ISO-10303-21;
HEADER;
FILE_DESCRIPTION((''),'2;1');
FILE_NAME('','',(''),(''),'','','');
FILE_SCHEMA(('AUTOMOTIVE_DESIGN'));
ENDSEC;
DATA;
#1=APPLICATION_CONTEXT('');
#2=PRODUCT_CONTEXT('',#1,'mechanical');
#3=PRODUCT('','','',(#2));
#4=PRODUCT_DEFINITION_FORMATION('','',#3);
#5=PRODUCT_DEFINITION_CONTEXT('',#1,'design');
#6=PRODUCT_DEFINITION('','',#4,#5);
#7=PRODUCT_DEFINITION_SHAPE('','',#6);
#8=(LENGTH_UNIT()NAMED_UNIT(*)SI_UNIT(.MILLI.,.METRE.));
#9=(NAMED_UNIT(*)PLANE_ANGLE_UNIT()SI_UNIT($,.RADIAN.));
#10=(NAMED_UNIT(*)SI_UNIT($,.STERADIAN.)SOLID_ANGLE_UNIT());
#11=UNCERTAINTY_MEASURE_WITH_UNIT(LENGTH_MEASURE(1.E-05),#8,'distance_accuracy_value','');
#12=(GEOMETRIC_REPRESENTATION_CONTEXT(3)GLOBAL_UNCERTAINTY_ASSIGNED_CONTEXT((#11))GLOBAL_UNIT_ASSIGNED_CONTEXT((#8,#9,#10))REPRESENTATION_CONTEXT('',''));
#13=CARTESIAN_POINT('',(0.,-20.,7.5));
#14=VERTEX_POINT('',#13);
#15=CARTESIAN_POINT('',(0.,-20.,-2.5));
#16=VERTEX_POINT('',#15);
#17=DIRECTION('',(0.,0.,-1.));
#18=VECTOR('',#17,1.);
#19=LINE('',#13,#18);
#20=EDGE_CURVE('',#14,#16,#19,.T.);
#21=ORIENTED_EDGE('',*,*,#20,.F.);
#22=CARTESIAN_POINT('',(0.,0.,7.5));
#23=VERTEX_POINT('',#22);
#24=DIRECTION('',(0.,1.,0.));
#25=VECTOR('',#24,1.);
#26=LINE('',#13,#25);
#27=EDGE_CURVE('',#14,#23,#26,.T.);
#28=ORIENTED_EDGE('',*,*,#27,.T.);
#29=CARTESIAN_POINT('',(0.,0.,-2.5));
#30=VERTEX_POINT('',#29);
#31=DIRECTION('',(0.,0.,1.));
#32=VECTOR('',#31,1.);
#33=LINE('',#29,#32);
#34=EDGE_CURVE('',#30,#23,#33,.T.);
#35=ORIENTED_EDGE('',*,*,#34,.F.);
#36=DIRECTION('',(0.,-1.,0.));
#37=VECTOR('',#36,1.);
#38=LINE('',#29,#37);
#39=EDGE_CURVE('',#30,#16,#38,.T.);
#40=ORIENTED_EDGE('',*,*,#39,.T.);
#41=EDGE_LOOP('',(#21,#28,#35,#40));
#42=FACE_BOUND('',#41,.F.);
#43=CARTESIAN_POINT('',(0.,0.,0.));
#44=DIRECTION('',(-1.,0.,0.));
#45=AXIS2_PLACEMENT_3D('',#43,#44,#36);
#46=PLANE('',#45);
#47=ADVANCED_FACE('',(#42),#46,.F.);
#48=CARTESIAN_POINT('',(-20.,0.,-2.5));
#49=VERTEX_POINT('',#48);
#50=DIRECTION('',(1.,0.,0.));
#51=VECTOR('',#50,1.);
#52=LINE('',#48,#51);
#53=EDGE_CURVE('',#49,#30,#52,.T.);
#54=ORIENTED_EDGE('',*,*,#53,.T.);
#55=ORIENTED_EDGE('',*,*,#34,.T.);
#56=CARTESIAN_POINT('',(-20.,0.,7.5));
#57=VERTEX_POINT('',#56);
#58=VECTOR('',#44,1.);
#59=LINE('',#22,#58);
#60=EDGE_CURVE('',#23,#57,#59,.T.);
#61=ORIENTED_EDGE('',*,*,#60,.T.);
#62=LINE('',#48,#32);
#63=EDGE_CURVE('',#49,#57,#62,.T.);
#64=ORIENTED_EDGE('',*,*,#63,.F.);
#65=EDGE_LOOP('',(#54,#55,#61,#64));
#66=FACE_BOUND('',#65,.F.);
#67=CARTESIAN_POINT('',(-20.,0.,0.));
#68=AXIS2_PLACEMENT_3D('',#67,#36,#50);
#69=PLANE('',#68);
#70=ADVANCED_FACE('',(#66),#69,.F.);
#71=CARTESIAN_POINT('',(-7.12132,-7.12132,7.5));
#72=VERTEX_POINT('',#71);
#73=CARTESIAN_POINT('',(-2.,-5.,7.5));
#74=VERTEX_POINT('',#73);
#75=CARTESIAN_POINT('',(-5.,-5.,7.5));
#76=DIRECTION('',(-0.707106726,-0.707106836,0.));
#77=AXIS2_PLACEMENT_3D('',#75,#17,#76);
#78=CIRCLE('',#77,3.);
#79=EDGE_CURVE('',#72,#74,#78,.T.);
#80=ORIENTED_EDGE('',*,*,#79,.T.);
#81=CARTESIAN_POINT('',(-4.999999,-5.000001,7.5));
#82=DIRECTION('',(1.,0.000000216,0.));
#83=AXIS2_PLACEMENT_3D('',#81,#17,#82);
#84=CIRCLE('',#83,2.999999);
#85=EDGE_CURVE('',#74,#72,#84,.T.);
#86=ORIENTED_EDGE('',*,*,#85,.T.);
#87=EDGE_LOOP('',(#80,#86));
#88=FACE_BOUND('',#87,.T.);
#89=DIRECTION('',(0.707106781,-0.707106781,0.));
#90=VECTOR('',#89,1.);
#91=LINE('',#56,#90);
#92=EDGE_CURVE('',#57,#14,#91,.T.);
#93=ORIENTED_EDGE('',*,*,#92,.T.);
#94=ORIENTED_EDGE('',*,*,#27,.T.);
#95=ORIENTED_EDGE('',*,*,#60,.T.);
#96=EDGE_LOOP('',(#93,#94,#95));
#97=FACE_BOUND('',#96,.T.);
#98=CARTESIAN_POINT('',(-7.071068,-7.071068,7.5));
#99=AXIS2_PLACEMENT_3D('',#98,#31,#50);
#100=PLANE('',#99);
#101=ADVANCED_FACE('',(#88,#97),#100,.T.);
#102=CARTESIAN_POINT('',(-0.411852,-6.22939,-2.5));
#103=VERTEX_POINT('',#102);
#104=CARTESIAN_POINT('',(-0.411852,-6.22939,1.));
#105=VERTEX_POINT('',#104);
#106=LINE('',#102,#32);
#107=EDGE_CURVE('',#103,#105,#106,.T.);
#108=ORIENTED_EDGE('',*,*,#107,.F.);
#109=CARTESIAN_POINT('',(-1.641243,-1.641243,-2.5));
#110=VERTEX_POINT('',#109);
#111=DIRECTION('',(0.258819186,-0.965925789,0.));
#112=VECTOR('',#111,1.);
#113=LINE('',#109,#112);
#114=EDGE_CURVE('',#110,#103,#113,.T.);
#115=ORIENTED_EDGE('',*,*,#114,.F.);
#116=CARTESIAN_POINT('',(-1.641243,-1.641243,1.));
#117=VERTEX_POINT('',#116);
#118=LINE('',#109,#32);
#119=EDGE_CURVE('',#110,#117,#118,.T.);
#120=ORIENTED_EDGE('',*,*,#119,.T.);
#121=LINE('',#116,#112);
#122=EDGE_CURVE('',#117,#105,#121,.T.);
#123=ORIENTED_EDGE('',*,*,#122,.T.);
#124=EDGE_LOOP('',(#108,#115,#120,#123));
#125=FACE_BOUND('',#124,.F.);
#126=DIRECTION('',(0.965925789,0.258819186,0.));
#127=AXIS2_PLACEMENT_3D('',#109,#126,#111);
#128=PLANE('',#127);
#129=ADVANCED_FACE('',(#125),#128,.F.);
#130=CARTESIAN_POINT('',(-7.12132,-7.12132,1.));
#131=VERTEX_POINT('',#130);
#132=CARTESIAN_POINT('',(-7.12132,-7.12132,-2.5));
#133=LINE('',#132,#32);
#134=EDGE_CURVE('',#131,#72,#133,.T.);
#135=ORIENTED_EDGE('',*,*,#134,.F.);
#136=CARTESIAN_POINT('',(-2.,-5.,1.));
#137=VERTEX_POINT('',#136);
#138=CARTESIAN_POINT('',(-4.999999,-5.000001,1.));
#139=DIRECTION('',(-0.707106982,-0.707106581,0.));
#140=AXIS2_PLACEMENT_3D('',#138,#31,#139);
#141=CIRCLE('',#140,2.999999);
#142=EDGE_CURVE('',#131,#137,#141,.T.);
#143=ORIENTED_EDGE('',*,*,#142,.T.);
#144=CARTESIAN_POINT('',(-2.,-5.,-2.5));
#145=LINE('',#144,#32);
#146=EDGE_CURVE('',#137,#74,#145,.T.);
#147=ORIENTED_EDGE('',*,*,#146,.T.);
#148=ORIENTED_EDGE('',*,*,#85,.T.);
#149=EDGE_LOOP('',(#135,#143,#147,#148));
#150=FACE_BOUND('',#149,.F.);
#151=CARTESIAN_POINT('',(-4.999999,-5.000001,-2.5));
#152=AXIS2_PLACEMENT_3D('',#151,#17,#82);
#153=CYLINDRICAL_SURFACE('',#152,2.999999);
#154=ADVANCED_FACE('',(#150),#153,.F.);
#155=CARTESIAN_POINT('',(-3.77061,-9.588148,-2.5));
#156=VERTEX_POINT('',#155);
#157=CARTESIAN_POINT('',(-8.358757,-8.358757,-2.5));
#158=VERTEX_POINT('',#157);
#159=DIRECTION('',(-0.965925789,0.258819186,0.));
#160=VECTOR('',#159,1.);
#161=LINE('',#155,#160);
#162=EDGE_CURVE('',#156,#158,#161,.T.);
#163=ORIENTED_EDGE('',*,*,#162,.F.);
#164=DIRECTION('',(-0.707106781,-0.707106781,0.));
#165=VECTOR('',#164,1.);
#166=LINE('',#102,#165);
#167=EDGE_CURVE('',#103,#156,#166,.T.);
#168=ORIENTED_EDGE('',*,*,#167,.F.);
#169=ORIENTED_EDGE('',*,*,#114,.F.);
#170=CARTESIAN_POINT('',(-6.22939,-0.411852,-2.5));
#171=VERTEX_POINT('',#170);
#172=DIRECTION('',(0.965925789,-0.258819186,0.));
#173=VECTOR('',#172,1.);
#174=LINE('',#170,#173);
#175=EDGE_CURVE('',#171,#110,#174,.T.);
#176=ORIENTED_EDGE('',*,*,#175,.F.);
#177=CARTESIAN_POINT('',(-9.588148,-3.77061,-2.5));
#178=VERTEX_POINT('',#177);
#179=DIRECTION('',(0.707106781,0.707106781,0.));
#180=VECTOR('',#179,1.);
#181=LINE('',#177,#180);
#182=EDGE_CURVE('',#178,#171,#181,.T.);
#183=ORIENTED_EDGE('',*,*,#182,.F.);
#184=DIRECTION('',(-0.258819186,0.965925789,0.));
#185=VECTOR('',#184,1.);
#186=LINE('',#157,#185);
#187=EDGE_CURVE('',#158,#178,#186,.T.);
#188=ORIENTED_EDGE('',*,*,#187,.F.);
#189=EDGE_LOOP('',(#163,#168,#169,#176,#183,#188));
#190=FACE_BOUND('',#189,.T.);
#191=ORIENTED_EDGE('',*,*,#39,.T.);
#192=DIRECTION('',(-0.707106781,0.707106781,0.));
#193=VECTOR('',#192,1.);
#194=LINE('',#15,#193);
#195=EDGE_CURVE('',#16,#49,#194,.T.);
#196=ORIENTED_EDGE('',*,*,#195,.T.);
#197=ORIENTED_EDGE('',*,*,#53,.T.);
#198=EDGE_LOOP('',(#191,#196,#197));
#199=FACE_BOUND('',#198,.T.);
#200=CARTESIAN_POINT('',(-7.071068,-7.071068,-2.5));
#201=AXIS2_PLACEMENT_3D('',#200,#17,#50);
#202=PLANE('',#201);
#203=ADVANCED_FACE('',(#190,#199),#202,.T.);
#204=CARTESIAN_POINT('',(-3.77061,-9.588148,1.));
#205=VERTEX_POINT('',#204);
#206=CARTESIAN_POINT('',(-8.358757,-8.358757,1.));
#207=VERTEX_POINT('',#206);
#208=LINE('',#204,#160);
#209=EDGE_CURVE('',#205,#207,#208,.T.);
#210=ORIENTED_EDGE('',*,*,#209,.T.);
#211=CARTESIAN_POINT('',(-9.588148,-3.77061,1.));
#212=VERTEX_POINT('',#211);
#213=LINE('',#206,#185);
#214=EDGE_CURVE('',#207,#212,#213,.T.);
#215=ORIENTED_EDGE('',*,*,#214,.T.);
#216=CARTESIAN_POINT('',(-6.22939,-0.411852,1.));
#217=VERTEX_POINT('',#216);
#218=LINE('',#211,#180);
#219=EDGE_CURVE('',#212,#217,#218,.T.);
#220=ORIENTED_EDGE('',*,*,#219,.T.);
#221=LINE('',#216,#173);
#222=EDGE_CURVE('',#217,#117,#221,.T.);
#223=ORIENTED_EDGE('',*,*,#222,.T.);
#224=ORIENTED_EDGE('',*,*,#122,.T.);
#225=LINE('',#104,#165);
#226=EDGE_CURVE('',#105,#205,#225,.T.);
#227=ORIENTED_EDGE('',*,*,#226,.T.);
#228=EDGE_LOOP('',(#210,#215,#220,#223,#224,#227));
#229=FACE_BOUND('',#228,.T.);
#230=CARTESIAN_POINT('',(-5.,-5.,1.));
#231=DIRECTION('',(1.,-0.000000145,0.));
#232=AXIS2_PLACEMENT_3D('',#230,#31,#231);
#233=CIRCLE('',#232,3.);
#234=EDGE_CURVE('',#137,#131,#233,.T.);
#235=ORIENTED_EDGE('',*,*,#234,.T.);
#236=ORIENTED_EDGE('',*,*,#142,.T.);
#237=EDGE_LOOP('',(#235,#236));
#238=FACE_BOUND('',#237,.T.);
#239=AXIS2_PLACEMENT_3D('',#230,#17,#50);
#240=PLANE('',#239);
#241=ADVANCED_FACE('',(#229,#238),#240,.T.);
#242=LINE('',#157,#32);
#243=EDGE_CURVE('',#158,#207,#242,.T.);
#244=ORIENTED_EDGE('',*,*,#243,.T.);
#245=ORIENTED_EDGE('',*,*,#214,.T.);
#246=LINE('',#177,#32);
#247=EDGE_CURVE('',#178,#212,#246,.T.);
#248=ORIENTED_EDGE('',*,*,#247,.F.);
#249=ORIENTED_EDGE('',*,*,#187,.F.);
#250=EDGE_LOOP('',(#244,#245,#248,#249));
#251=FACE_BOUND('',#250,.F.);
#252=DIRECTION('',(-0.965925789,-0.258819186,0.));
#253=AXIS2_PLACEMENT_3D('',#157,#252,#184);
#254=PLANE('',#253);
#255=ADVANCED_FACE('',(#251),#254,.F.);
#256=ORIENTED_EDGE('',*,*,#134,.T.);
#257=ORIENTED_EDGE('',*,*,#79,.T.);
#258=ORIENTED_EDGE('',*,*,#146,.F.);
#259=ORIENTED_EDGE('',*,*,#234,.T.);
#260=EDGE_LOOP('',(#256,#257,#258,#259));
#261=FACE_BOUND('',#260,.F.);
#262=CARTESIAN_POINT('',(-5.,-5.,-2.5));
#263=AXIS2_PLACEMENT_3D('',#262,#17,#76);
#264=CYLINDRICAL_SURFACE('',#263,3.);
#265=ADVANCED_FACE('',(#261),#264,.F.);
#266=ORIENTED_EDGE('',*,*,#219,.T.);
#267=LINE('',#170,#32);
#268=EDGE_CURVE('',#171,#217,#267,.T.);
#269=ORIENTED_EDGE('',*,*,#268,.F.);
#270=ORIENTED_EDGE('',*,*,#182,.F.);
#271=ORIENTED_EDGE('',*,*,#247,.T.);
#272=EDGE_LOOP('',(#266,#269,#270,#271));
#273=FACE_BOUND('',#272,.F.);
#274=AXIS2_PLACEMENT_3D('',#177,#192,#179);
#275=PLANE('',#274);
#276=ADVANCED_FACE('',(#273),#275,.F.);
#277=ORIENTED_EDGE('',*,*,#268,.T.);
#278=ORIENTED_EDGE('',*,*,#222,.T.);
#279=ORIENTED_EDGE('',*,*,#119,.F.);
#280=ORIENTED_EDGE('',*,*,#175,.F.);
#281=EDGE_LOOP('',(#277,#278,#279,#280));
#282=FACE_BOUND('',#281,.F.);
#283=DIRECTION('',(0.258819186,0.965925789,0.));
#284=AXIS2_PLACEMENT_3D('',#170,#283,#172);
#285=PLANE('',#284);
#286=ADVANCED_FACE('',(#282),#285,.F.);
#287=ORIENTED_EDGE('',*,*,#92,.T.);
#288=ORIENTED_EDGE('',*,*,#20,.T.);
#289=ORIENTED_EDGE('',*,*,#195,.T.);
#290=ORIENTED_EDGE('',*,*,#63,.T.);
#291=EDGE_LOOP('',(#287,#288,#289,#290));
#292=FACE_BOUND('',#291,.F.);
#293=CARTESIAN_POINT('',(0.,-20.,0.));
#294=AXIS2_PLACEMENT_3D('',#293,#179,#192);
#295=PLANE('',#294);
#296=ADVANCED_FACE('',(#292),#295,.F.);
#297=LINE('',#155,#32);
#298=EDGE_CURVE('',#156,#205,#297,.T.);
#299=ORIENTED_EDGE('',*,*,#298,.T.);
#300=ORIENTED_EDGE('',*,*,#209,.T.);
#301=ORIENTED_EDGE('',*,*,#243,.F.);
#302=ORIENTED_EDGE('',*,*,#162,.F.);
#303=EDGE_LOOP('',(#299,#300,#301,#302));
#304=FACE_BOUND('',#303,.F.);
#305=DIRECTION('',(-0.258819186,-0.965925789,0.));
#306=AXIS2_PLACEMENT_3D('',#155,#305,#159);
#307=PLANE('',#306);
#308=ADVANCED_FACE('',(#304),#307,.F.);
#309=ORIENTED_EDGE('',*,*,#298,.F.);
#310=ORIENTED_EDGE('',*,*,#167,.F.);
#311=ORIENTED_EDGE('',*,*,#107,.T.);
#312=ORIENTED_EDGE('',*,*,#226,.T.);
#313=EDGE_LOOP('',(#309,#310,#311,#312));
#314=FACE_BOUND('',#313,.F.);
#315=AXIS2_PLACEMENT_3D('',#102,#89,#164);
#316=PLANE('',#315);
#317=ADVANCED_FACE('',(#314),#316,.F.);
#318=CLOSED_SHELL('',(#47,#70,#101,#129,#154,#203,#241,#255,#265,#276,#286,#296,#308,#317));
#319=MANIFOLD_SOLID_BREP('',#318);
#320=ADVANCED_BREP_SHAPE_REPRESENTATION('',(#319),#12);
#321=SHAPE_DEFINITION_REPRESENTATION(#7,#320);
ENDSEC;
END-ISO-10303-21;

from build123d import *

# Parameters (mm, degrees)
F1_DEPTH = 7.5
F2_DEPTH = 2.5
F4_DEPTH = 25
F5_DEPTH = 3.5


with BuildPart() as f1:
    # F0 (on Top) → F1 (new body)
    with BuildSketch(Plane.XY):
        Polygon((0, -20), (0, 0), (-20, 0), align=None)
    extrude(amount=F1_DEPTH)

    # F1_face (on face) → F2 (join)
    with BuildSketch(Plane(origin=(-6.666667, -6.666667, 0), x_dir=(1, 0, 0), z_dir=(0, 0, -1))):
        Polygon((6.666667, -6.666667), (6.666667, 13.333333), (-13.333333, -6.666667), align=None)
    extrude(amount=F2_DEPTH)

    # F3 (on face) → F4 (cut)
    with BuildSketch(Plane(origin=(0, 0, -2.5), x_dir=(1, 0, 0), z_dir=(0, 0, -1))):
        with BuildLine():
            ThreePointArc((-2, 5), (-3.85195, 7.771639), (-7.12132, 7.12132))
            ThreePointArc((-7.12132, 7.12132), (-6.14805, 2.228361), (-2, 5))
        make_face()
    extrude(amount=-F4_DEPTH, mode=Mode.SUBTRACT)

    # F3 (on face) → F5 (cut)
    with BuildSketch(Plane(origin=(0, 0, -2.5), x_dir=(1, 0, 0), z_dir=(0, 0, -1))):
        Polygon((-3.77061, 9.588148), (-8.358757, 8.358757), (-9.588148, 3.77061), (-6.22939, 0.411852), (-1.641243, 1.641243), (-0.411852, 6.22939), align=None)
        with BuildLine():
            ThreePointArc((-2, 5), (-6.14805, 2.228361), (-7.12132, 7.12132))
            ThreePointArc((-7.12132, 7.12132), (-3.85195, 7.771639), (-2, 5))
        make_face(mode=Mode.SUBTRACT)
    extrude(amount=-F5_DEPTH, mode=Mode.SUBTRACT)


solid = f1.part
